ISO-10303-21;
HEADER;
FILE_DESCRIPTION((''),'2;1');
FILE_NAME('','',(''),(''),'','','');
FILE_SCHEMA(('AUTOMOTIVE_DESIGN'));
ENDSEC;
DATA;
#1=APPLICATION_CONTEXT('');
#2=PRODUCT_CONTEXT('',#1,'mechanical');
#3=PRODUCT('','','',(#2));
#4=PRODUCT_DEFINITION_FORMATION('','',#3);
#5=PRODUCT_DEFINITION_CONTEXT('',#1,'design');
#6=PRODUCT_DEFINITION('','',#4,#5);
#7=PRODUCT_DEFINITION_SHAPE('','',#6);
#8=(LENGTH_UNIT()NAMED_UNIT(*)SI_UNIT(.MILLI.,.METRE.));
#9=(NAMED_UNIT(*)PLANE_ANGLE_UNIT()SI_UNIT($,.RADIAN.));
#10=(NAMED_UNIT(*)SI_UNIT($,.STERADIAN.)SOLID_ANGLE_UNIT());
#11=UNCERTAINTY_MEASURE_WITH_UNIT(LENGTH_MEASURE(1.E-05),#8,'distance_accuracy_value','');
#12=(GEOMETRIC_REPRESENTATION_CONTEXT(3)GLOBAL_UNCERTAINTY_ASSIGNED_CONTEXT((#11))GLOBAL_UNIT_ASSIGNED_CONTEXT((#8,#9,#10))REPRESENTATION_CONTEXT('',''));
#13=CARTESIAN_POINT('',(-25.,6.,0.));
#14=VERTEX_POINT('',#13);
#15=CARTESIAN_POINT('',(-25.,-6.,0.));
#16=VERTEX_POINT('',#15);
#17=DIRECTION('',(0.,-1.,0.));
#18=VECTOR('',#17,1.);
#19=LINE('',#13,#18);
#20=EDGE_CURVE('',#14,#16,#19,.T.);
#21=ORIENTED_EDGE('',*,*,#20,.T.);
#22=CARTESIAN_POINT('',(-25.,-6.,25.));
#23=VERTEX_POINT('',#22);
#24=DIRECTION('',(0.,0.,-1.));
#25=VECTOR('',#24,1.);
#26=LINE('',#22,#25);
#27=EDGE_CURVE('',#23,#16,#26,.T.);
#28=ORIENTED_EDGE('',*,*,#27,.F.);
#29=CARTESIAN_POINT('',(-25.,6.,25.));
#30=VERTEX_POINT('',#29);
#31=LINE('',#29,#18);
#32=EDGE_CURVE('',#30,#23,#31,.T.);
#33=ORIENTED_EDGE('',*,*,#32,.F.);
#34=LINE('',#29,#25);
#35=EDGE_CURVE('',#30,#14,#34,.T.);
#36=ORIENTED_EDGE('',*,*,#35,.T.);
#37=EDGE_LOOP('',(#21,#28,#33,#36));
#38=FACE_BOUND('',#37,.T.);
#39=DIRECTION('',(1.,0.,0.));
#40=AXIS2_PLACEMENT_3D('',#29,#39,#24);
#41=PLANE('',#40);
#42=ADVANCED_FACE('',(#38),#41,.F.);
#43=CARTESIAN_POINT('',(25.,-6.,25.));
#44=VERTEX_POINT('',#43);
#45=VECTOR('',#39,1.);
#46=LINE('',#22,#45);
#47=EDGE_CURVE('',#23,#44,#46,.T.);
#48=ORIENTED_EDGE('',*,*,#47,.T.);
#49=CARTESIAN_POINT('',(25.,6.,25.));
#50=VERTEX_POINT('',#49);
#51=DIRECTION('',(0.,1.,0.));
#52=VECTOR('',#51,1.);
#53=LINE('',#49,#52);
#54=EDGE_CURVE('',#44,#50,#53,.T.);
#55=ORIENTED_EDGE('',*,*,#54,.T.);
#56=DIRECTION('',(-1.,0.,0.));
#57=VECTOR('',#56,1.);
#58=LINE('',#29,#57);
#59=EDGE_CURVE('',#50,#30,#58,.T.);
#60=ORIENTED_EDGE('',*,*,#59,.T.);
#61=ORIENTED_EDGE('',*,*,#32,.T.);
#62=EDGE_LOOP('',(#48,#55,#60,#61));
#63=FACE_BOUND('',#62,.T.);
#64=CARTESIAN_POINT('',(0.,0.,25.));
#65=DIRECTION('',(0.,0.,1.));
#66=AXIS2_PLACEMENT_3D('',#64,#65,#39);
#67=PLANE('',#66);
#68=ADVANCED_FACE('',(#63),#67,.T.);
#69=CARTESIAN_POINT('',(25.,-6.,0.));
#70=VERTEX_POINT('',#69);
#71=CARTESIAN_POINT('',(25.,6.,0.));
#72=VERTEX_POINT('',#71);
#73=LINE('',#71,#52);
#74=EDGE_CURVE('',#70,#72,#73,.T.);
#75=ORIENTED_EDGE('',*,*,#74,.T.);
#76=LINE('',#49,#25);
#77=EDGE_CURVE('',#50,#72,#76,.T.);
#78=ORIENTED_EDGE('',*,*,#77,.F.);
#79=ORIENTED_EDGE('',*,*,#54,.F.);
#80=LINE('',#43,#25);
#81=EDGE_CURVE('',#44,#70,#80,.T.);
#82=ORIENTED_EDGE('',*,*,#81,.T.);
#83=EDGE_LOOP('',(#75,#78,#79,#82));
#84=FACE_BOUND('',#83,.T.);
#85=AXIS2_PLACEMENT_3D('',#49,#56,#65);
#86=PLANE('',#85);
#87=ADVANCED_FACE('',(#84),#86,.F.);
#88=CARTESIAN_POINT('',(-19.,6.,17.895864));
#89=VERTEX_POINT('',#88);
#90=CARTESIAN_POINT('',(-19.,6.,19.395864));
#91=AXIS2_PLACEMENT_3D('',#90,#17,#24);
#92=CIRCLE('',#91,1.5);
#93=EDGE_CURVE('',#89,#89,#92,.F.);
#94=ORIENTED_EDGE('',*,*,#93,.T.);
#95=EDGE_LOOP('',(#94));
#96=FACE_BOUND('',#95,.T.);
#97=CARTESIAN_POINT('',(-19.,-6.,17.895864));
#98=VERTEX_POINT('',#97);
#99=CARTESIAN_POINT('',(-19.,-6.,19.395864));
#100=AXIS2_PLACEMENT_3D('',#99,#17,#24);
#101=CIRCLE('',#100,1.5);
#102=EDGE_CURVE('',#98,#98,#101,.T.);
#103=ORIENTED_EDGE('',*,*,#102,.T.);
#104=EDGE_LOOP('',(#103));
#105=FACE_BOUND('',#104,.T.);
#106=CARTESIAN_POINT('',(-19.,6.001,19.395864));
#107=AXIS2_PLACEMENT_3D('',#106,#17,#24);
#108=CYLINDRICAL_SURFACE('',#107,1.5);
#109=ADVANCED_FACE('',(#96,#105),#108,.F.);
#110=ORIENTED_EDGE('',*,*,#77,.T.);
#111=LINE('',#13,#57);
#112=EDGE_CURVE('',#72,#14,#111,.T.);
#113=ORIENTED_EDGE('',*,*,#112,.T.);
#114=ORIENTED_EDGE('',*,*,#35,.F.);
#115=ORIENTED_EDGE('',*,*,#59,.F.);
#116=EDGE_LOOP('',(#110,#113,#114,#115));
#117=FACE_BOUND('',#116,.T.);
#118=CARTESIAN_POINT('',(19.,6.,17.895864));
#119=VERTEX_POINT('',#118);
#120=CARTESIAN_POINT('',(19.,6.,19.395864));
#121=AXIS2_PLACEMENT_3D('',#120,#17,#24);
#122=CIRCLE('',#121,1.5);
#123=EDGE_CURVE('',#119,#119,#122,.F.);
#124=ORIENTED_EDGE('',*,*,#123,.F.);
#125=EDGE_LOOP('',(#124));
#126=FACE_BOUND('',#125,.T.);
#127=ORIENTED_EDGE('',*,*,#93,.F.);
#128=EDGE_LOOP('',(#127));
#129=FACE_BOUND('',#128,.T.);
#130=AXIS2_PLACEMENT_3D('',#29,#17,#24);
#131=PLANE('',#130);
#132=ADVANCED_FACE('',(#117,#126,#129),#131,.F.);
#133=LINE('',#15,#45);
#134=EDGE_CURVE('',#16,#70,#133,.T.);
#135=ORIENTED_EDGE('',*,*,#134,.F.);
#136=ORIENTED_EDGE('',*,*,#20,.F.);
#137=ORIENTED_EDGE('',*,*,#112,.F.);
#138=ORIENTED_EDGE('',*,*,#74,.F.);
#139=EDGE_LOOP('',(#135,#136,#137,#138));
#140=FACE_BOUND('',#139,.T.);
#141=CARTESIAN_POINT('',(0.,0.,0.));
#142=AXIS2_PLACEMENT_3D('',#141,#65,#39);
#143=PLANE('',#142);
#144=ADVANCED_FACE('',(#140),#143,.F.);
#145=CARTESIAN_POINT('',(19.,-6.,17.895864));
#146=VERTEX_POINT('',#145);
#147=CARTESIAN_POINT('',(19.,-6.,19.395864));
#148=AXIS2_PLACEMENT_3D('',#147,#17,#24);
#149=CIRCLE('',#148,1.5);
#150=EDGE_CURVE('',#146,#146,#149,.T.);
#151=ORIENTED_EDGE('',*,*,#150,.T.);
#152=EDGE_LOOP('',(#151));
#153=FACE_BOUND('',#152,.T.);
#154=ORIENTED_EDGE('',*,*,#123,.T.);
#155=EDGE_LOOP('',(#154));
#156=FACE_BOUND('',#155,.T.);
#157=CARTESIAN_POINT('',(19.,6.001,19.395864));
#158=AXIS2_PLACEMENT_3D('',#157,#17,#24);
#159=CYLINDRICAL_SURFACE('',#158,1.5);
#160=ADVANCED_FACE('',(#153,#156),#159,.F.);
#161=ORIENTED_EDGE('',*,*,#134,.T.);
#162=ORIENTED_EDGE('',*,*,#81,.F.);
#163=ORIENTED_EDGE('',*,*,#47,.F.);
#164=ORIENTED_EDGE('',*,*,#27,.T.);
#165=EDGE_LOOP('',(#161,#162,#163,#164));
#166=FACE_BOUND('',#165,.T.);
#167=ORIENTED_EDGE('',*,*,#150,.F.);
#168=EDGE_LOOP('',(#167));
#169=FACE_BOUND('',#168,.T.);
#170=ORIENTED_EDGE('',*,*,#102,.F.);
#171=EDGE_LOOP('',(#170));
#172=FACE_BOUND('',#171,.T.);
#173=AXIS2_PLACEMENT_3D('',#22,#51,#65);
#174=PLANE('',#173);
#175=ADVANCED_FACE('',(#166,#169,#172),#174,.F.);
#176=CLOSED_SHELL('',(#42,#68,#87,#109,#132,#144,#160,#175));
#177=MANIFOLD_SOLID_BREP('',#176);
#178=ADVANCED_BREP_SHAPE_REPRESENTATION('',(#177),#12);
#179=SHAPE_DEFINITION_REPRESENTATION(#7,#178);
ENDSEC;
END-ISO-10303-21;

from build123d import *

# Parameters (mm, degrees)
SKETCH1_W           = 50
SKETCH1_H           = 12
BOSS_EXTRUDE1_DEPTH = 25
CUT_EXTRUDE1_REACH  = 39.336
SKETCH2_R           = 1.5


with BuildPart() as part:
    # Sketch1 → Boss-Extrude1 (new body)
    with BuildSketch(Plane.XY):
        Rectangle(SKETCH1_W, SKETCH1_H)
    extrude(amount=BOSS_EXTRUDE1_DEPTH)

    # Sketch2 → Cut-Extrude1 (cut, up to next)
    with BuildSketch(Plane.XZ.offset(6), mode=Mode.PRIVATE) as cut_extrude1_sk1:
        with Locations(Location((-19, 19.395863619, 0), (0, 0, 270))):
            Circle(SKETCH2_R)
    cut_extrude1_tool1 = extrude(cut_extrude1_sk1.sketch, amount=-CUT_EXTRUDE1_REACH, mode=Mode.PRIVATE) & part.part
    # Sketch2 → Cut-Extrude1 (cut, up to next)
    with BuildSketch(Plane.XZ.offset(6), mode=Mode.PRIVATE) as cut_extrude1_sk2:
        with Locations(Location((19, 19.395863619, 0), (0, 0, 270))):
            Circle(SKETCH2_R)
    cut_extrude1_tool2 = extrude(cut_extrude1_sk2.sketch, amount=-CUT_EXTRUDE1_REACH, mode=Mode.PRIVATE) & part.part
    add(cut_extrude1_tool1.solids().sort_by_distance((-19, -6, 19.395864))[0], mode=Mode.SUBTRACT)
    add(cut_extrude1_tool2.solids().sort_by_distance((19, -6, 19.395864))[0], mode=Mode.SUBTRACT)


solid = part.part
